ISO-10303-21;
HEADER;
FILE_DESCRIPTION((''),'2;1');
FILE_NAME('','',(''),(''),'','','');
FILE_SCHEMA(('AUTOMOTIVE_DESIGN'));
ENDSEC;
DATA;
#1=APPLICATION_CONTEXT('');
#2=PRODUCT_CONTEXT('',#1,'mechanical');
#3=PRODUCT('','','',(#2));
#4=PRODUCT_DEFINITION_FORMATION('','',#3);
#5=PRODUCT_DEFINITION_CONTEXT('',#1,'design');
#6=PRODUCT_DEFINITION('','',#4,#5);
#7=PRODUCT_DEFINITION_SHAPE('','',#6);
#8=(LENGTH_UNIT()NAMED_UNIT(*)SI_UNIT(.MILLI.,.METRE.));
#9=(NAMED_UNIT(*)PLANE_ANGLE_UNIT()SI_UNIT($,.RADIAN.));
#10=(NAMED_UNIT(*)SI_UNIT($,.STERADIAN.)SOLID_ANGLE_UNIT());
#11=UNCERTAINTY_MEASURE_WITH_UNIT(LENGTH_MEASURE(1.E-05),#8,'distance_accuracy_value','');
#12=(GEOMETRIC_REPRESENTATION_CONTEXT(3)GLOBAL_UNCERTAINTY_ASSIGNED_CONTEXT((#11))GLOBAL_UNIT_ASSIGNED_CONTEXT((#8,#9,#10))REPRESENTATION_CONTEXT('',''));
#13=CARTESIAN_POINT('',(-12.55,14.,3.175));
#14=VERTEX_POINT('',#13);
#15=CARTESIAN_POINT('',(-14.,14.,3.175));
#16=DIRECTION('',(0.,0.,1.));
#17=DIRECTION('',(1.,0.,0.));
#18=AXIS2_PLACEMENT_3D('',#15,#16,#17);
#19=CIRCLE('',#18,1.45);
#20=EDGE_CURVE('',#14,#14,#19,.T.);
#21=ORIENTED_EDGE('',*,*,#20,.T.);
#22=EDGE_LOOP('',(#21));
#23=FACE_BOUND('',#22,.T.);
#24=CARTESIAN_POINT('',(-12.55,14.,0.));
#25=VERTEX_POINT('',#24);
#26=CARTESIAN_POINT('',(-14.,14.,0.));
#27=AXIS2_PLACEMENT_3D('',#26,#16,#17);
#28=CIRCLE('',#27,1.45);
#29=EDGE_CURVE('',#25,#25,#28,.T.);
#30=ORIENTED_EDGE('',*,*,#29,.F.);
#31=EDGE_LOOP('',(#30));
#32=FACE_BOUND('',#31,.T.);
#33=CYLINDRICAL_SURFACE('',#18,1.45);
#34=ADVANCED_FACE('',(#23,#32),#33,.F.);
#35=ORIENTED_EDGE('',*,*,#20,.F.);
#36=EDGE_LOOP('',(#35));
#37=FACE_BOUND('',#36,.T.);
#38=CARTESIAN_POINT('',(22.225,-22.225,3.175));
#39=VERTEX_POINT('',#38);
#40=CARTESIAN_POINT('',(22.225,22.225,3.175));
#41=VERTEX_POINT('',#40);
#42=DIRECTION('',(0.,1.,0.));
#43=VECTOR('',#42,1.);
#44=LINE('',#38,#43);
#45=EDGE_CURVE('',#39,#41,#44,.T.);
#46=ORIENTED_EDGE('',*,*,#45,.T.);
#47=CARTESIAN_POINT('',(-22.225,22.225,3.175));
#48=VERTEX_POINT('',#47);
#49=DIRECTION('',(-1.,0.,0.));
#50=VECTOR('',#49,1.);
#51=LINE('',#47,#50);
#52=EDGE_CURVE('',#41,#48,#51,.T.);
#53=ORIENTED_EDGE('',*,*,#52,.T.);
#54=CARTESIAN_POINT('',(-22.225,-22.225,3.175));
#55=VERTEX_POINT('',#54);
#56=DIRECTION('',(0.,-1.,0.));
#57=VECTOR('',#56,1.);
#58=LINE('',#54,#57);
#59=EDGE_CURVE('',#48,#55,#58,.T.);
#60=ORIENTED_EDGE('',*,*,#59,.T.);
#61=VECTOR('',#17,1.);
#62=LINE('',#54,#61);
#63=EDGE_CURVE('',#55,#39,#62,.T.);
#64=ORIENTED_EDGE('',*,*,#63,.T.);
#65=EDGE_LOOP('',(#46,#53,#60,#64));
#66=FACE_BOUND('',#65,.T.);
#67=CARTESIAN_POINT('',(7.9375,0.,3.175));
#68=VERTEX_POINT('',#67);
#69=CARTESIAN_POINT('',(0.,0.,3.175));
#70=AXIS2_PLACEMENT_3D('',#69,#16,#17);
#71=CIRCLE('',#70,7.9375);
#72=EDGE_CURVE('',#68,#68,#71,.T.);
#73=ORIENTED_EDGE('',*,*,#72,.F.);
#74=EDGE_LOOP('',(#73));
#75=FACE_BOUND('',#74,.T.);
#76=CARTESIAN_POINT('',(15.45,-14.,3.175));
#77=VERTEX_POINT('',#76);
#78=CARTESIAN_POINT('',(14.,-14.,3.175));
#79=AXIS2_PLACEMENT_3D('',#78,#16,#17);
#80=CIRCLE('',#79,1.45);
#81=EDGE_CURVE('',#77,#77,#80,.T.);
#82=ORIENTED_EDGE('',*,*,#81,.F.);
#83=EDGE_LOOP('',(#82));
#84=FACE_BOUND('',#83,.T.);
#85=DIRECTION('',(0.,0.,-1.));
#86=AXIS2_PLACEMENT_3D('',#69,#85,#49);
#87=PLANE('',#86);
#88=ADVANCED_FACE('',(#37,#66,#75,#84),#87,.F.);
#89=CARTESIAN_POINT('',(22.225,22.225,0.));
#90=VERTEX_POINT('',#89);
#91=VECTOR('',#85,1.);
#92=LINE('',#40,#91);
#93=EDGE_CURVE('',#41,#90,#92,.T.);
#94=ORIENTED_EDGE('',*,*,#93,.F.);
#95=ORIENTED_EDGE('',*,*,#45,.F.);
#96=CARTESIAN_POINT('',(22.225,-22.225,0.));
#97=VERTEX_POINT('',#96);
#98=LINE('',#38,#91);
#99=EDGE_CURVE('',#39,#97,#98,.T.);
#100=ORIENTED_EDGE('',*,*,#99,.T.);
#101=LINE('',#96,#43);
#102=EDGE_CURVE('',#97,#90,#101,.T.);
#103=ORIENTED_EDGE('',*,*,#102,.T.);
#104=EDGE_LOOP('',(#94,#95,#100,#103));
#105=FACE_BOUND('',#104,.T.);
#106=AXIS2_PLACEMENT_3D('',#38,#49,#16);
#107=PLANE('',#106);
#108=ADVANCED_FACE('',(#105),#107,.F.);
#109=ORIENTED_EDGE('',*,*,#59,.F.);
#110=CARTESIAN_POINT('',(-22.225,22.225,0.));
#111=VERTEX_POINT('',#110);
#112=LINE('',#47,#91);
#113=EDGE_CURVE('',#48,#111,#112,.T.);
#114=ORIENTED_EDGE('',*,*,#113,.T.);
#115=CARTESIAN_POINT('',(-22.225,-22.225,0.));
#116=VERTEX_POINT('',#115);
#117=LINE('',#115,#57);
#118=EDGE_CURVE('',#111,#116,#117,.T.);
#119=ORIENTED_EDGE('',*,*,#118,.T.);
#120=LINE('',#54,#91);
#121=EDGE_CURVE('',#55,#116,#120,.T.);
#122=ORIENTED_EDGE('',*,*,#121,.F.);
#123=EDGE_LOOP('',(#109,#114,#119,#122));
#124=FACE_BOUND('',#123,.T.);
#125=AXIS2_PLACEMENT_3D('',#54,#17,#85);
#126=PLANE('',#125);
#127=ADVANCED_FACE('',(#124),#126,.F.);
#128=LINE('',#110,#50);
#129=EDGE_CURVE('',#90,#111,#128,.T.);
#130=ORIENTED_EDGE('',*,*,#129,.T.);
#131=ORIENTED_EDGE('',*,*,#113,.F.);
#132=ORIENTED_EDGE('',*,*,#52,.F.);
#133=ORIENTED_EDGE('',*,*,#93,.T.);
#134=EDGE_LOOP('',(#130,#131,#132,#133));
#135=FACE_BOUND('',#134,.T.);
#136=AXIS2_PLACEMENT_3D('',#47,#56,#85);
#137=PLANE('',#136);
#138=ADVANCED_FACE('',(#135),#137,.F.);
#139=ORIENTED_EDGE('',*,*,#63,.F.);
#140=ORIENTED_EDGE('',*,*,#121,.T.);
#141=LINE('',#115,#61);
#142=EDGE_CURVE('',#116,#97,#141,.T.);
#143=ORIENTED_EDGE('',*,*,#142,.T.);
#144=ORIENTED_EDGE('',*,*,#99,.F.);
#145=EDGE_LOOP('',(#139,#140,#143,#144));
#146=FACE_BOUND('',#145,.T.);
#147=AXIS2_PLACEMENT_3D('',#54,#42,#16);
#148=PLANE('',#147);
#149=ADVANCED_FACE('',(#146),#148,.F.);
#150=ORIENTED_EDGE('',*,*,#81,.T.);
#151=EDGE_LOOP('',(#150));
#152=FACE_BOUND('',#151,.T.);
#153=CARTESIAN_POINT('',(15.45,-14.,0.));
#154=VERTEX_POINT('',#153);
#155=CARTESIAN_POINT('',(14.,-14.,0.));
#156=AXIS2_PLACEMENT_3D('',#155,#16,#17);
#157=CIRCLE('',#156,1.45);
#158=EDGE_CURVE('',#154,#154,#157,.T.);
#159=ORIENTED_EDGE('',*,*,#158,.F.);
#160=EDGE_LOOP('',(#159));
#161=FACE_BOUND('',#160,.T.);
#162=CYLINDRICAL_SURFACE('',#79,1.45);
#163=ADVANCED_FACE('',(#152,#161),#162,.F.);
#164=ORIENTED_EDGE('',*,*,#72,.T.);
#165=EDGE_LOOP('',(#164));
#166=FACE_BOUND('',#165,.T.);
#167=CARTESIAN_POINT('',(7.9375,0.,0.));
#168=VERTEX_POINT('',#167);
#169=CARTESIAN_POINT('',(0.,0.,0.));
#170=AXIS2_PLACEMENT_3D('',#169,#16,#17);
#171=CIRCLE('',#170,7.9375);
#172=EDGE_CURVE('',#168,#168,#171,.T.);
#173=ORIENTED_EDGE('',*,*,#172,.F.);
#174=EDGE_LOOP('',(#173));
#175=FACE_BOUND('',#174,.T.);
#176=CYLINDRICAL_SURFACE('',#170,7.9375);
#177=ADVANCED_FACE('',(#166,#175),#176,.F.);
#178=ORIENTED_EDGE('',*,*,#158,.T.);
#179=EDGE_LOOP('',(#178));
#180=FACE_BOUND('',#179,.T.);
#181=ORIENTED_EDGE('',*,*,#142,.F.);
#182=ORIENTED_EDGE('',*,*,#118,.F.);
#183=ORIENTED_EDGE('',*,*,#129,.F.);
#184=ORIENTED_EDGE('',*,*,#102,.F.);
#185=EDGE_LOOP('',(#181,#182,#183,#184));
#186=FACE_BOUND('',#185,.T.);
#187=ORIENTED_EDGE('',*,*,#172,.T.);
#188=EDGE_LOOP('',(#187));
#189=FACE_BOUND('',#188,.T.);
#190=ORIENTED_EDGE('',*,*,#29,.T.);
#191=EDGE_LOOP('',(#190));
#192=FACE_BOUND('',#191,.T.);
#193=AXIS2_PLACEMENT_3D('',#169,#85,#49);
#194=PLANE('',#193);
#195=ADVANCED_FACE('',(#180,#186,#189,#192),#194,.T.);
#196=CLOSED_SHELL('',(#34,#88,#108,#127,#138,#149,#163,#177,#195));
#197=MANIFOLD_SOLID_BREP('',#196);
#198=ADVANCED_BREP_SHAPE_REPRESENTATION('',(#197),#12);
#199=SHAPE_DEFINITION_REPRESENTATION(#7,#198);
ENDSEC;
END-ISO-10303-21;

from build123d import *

# Parameters (mm, degrees)
SKETCH1_W              = 44.45
SKETCH1_H              = 44.45
BOSS_EXTRUDE1_DEPTH    = 3.175
M2_5_CLEARANCE_HOLE1_D = 2.9
SKETCH5_R              = 7.9375
CUT_EXTRUDE1_DEPTH     = 4.175


with BuildPart() as part:
    # Sketch1 → Boss-Extrude1 (new body)
    with BuildSketch(Plane.XY):
        Rectangle(SKETCH1_W, SKETCH1_H)
    extrude(amount=BOSS_EXTRUDE1_DEPTH)

    # M2.5 Clearance Hole1 (through all)
    with Locations(Plane.XY.offset(3.175)):
        with Locations((-14, 14), (14, -14)):
            Hole(M2_5_CLEARANCE_HOLE1_D / 2)

    # Sketch5 → Cut-Extrude1 (cut, through all)
    with BuildSketch(Plane.XY.offset(3.175)):
        Circle(SKETCH5_R)
    extrude(amount=-CUT_EXTRUDE1_DEPTH, mode=Mode.SUBTRACT)


solid = part.part
